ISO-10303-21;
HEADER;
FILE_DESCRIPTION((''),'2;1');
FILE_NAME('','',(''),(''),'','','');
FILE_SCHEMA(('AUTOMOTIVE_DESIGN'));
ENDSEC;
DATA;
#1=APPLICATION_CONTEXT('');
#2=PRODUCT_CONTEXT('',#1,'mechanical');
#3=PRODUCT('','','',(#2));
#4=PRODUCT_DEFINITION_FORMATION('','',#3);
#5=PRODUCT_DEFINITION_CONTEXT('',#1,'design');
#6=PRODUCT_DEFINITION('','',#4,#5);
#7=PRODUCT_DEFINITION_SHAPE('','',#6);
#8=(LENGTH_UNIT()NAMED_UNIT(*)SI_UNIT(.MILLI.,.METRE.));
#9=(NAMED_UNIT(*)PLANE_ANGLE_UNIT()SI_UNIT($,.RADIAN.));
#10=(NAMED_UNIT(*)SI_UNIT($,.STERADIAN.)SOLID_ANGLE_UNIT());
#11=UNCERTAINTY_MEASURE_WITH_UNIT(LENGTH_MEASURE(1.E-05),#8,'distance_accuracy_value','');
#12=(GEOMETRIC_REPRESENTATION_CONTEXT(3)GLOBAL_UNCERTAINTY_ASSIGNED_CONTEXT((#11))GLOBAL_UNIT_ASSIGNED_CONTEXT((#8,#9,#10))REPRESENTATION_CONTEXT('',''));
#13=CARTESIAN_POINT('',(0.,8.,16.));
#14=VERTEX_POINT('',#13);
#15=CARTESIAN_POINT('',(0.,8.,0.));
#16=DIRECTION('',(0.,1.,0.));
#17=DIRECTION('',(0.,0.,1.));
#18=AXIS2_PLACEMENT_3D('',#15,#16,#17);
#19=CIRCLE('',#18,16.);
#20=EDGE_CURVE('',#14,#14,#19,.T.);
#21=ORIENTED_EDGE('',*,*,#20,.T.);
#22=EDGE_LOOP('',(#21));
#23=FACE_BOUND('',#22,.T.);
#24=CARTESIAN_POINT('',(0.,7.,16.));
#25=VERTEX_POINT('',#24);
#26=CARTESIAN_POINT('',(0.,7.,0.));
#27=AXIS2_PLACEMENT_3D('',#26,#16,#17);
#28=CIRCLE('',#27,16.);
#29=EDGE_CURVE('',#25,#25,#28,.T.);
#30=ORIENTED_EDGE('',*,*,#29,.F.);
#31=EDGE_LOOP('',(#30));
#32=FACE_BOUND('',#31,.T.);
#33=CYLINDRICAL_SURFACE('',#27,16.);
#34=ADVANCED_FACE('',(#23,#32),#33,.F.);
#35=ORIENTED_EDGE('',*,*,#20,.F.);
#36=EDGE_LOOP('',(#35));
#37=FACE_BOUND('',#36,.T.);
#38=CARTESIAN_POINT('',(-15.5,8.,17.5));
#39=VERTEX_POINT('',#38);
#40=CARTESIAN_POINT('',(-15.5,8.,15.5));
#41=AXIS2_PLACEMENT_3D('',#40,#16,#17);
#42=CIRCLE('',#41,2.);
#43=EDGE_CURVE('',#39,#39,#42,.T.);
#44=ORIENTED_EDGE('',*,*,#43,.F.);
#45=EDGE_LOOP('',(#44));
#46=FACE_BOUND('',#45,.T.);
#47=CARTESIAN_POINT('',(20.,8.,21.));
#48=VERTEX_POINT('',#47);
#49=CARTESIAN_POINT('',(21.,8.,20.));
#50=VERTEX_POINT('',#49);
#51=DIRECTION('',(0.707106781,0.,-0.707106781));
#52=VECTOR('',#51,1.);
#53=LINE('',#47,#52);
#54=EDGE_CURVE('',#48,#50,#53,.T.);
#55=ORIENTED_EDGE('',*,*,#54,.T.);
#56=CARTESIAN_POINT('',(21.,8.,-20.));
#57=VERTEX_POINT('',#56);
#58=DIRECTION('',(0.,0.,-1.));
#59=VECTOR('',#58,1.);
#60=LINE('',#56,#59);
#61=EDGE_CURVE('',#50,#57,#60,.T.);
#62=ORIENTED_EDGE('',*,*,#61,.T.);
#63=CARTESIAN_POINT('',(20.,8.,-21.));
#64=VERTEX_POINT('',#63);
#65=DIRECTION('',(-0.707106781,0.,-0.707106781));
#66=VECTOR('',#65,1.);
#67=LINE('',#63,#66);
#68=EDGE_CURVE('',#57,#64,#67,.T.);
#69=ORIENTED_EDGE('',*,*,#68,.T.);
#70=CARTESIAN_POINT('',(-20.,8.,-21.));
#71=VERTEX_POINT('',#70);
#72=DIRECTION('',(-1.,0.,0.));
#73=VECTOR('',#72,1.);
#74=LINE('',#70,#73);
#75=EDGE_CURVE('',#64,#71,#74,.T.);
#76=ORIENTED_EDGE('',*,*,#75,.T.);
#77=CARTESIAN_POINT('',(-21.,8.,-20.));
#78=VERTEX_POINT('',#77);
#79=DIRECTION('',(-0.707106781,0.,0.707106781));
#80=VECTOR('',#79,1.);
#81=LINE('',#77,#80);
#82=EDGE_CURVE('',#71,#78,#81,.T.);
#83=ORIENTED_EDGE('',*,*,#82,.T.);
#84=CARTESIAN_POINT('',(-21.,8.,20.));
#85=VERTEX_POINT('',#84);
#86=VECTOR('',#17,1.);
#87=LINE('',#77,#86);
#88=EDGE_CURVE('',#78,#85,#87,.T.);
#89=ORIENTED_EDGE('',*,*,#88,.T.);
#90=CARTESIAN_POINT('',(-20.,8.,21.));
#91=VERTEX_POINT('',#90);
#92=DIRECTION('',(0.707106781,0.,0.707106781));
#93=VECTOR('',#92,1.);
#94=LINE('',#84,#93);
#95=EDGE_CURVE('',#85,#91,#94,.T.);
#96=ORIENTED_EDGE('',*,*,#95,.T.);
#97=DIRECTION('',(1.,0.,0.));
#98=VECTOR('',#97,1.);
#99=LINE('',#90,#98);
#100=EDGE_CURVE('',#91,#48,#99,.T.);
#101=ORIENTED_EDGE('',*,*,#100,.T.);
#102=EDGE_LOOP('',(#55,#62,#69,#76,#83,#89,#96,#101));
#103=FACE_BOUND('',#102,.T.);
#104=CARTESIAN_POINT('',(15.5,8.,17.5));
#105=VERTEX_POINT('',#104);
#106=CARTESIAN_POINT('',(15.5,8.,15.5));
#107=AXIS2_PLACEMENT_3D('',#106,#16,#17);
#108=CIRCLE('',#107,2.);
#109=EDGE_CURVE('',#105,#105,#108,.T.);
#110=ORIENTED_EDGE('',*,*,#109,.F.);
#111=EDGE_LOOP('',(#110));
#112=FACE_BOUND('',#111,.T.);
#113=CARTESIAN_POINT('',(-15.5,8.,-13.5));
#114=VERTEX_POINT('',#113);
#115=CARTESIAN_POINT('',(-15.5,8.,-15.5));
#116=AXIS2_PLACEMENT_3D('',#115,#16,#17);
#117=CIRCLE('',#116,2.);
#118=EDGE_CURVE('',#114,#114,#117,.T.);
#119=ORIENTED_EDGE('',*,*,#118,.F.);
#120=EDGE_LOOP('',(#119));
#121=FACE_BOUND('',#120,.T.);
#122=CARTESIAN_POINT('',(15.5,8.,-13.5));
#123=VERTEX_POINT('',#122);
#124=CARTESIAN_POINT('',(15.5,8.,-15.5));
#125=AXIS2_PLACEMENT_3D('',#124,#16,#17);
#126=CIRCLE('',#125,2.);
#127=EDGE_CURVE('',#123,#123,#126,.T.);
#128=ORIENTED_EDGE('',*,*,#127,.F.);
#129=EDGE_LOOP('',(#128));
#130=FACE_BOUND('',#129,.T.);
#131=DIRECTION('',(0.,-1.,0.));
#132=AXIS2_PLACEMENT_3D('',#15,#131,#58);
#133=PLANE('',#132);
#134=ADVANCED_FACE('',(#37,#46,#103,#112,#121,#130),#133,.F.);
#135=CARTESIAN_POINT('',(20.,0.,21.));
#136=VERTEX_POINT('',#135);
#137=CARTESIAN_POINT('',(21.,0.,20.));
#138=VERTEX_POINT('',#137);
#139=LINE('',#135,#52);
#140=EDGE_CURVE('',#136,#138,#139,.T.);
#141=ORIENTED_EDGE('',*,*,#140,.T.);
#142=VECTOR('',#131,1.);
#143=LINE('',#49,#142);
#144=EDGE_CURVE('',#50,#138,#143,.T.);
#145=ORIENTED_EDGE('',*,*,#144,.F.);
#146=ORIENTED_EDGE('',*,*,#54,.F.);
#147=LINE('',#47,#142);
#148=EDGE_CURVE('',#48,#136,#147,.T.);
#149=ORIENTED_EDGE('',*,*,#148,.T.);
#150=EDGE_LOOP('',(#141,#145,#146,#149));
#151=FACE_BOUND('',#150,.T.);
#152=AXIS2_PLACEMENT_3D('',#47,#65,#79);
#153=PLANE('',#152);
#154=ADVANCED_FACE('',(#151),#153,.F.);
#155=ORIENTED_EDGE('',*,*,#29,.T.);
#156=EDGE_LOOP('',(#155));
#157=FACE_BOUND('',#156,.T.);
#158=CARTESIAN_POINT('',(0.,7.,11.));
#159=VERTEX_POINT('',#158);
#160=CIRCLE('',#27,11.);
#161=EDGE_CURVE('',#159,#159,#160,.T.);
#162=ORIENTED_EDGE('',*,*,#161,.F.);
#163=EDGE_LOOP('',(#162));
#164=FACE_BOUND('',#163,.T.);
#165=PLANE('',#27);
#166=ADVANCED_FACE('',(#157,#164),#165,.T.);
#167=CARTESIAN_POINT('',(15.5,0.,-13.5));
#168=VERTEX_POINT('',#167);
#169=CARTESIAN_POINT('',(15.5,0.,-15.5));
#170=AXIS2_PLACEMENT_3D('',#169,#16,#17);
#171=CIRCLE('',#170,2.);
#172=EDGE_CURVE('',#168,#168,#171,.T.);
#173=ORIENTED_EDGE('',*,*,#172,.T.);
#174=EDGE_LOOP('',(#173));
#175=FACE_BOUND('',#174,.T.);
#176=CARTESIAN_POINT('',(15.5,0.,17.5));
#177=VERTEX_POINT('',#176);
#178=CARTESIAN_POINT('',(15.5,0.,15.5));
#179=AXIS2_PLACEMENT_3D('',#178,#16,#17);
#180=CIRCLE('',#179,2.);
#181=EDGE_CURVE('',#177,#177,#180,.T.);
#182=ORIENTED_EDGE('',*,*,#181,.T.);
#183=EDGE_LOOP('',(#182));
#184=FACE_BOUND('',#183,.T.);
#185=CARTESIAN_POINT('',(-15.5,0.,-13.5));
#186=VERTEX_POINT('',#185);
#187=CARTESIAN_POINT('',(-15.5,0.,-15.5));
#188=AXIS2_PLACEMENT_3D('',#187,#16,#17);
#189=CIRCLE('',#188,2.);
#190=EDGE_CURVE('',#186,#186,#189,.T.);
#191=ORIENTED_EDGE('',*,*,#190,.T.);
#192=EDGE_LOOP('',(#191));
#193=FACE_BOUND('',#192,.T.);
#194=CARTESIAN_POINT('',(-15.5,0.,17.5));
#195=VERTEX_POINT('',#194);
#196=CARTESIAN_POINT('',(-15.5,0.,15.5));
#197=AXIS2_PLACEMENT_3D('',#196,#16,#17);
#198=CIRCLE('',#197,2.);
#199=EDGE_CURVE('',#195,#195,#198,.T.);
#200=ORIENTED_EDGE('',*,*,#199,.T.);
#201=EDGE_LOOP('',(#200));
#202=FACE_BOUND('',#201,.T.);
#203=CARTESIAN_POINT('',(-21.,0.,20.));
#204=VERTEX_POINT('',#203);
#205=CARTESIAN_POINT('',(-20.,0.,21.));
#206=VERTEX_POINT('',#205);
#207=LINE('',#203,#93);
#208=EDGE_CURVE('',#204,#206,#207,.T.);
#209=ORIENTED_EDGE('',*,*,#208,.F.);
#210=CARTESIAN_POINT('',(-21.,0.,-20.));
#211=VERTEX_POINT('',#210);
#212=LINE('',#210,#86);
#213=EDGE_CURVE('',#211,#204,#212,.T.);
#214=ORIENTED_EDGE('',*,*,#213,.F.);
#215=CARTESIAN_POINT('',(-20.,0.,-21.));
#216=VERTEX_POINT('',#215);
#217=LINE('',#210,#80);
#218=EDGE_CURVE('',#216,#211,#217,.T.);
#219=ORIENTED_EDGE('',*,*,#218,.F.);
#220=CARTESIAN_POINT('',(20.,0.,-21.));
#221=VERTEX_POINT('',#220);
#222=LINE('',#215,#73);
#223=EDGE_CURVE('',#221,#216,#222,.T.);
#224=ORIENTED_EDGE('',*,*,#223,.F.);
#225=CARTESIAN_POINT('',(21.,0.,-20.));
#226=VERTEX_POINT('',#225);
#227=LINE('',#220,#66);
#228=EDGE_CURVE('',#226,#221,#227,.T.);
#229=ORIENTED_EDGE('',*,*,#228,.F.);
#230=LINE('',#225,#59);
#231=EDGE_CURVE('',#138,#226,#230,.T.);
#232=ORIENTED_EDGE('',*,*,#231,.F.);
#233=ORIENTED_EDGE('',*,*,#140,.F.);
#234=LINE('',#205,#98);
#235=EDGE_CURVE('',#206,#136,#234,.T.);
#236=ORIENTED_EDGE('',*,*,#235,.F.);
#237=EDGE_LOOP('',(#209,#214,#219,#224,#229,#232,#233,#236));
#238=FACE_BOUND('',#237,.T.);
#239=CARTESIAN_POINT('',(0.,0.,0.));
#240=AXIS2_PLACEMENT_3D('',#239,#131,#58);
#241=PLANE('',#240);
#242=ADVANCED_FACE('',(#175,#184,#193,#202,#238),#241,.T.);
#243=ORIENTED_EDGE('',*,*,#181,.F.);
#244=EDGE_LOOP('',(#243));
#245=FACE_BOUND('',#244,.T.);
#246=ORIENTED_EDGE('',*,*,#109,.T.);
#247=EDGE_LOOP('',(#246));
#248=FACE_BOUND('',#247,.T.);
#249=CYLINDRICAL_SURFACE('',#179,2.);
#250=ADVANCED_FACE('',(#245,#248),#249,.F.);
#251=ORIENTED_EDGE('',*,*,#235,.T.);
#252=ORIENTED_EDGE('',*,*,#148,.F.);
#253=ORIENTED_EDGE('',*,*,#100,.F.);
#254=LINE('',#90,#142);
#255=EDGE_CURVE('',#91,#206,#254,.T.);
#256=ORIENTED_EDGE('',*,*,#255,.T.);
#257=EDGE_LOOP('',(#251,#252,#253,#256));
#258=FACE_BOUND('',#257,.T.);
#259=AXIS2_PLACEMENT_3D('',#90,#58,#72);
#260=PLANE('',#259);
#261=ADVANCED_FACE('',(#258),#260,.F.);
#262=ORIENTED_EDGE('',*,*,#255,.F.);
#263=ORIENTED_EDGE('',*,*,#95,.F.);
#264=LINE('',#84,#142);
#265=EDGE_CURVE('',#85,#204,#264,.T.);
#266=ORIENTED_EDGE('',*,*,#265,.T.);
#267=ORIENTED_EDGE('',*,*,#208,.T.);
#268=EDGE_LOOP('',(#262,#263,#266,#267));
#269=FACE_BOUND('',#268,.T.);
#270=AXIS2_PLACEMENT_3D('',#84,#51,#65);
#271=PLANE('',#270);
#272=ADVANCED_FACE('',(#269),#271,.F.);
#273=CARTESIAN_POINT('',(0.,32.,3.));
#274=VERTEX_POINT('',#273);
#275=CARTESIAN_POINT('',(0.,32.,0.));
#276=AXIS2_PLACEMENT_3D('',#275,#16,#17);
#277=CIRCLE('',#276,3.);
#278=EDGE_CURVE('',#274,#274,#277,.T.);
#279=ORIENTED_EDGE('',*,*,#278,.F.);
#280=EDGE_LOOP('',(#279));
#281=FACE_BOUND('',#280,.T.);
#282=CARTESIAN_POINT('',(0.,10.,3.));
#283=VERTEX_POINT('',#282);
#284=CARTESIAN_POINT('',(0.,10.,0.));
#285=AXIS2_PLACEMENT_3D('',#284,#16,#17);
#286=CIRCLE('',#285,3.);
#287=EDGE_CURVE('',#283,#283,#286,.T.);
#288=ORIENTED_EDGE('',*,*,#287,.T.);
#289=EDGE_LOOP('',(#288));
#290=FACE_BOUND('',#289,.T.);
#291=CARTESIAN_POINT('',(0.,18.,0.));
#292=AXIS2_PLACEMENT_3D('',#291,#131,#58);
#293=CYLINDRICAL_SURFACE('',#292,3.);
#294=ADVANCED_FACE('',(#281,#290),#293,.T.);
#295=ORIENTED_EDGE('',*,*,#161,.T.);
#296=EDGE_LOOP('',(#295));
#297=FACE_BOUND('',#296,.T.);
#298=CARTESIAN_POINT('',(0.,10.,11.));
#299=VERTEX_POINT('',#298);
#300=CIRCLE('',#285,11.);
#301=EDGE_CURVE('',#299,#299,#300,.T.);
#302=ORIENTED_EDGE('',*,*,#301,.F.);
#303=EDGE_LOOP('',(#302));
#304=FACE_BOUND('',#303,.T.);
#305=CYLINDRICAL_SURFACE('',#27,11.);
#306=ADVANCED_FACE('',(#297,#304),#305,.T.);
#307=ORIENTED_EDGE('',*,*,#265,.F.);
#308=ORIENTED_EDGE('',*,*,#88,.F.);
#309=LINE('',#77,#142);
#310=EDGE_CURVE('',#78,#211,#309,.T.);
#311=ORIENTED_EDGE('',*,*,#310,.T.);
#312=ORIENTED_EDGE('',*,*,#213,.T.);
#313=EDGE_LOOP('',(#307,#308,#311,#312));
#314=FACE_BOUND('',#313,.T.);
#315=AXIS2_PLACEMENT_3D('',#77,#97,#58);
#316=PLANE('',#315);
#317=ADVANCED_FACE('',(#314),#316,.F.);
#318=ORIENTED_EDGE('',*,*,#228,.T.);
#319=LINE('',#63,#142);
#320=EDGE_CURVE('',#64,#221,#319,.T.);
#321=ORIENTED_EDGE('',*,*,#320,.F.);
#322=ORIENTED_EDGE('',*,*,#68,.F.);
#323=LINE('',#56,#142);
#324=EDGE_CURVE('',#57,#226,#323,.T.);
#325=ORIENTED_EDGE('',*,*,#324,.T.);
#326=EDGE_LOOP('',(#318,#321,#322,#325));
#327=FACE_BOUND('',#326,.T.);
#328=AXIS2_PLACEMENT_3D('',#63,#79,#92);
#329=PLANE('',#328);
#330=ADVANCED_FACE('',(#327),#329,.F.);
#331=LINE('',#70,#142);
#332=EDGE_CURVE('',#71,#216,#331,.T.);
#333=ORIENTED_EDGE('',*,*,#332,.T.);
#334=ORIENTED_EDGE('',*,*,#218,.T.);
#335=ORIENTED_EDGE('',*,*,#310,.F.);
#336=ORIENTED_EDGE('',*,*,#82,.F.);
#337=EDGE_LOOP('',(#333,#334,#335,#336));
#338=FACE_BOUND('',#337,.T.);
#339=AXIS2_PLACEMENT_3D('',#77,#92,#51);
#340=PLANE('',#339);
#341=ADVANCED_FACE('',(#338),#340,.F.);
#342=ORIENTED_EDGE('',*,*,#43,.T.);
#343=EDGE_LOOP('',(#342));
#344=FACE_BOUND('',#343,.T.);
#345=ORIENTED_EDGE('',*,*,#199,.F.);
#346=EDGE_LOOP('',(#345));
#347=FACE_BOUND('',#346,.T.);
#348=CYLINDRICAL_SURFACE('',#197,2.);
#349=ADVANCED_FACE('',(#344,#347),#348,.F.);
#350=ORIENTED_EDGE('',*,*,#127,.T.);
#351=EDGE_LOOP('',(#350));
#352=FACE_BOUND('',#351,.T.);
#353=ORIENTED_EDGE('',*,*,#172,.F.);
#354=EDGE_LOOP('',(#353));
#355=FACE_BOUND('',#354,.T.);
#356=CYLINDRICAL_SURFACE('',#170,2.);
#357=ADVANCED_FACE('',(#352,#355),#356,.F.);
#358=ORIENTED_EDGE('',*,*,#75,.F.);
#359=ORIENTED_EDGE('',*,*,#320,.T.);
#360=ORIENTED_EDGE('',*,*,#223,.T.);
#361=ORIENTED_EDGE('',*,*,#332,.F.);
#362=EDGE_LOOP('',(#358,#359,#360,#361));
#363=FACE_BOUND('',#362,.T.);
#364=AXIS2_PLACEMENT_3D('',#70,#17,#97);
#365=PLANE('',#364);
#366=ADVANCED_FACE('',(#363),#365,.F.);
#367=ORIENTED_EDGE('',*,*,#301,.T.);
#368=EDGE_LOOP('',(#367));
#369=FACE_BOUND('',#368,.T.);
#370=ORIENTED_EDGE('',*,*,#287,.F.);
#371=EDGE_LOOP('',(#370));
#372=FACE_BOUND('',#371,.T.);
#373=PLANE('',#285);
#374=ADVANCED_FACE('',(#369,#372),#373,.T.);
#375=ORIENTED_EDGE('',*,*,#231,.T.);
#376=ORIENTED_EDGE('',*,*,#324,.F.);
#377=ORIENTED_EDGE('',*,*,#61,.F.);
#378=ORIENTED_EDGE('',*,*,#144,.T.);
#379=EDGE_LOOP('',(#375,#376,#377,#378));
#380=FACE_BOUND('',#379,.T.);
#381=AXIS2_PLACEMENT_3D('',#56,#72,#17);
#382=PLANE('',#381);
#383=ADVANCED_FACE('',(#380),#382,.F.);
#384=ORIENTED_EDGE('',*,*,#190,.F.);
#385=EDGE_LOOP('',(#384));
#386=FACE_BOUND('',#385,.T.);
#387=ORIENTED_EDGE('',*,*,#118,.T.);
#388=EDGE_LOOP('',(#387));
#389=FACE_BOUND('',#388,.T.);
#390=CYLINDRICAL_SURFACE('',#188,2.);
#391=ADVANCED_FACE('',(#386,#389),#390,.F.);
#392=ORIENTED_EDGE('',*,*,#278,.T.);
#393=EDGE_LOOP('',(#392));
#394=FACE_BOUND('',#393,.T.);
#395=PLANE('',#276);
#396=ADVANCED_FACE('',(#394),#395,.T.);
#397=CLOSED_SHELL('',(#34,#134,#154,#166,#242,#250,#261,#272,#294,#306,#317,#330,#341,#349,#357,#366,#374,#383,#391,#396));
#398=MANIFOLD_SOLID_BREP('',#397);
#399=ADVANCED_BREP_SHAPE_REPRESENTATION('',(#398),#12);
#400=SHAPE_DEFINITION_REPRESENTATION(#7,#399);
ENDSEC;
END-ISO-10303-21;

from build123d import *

# Parameters (mm, degrees)
BOSS_EXTRUDE1_DEPTH = 8
SKETCH2_R           = 16
SKETCH2_R_2         = 11
CUT_EXTRUDE1_DEPTH  = 1
SKETCH3_R           = 3
BOSS_EXTRUDE2_DEPTH = 10
SKETCH4_R           = 2
CUT_EXTRUDE2_DEPTH  = 32.336879232
BOSS_EXTRUDE4_START = 2
SKETCH5_R           = 11
BOSS_EXTRUDE4_DEPTH = 2
SKETCH6_R           = 3
BOSS_EXTRUDE5_DEPTH = 14


with BuildPart() as part:
    # Sketch1 → Boss-Extrude1 (new body)
    with BuildSketch(Plane(origin=(0, 0, 0), x_dir=(1, 0, 0), z_dir=(0, 1, 0))):
        Polygon((-21, 20), (-20, 21), (20, 21), (21, 20), (21, -20), (20, -21), (-20, -21), (-21, -20), align=None)
    extrude(amount=BOSS_EXTRUDE1_DEPTH)

    # Sketch2 → Cut-Extrude1 (cut)
    with BuildSketch(Plane(origin=(0, 8, 0), x_dir=(1, 0, 0), z_dir=(0, 1, 0))):
        with Locations(Location((0, 0, 0), (0, 0, 270))):
            Circle(SKETCH2_R)
        with Locations(Location((0, 0, 0), (0, 0, 270))):
            Circle(SKETCH2_R_2, mode=Mode.SUBTRACT)
    extrude(amount=-CUT_EXTRUDE1_DEPTH, mode=Mode.SUBTRACT)

    # Sketch3 → Boss-Extrude2 (add)
    with BuildSketch(Plane(origin=(0, 8, 0), x_dir=(1, 0, 0), z_dir=(0, 1, 0))):
        with Locations(Location((0, 0, 0), (0, 0, 90))):
            Circle(SKETCH3_R)
    extrude(amount=BOSS_EXTRUDE2_DEPTH)

    # Sketch4 → Cut-Extrude2 (cut, through all)
    with BuildSketch(Plane(origin=(0, 8, 0), x_dir=(1, 0, 0), z_dir=(0, 1, 0))):
        with Locations(Location((-15.5, 15.5, 0), (0, 0, 270))):
            Circle(SKETCH4_R)
        with Locations(Location((15.5, 15.5, 0), (0, 0, 270))):
            Circle(SKETCH4_R)
        with Locations(Location((15.5, -15.5, 0), (0, 0, 270))):
            Circle(SKETCH4_R)
        with Locations(Location((-15.5, -15.5, 0), (0, 0, 270))):
            Circle(SKETCH4_R)
    extrude(amount=-CUT_EXTRUDE2_DEPTH, mode=Mode.SUBTRACT)

    # Sketch5 → Boss-Extrude4 (add)
    with BuildSketch(Plane(origin=(0, 8, 0), x_dir=(1, 0, 0), z_dir=(0, 1, 0)).offset(BOSS_EXTRUDE4_START)):
        with Locations(Location((0, 0, 0), (0, 0, 270))):
            Circle(SKETCH5_R)
    extrude(amount=-BOSS_EXTRUDE4_DEPTH)

    # Sketch6 → Boss-Extrude5 (add)
    with BuildSketch(Plane(origin=(0, 18, 0), x_dir=(1, 0, 0), z_dir=(0, 1, 0))):
        with Locations(Location((0, 0, 0), (0, 0, 270))):
            Circle(SKETCH6_R)
    extrude(amount=BOSS_EXTRUDE5_DEPTH)


solid = part.part
